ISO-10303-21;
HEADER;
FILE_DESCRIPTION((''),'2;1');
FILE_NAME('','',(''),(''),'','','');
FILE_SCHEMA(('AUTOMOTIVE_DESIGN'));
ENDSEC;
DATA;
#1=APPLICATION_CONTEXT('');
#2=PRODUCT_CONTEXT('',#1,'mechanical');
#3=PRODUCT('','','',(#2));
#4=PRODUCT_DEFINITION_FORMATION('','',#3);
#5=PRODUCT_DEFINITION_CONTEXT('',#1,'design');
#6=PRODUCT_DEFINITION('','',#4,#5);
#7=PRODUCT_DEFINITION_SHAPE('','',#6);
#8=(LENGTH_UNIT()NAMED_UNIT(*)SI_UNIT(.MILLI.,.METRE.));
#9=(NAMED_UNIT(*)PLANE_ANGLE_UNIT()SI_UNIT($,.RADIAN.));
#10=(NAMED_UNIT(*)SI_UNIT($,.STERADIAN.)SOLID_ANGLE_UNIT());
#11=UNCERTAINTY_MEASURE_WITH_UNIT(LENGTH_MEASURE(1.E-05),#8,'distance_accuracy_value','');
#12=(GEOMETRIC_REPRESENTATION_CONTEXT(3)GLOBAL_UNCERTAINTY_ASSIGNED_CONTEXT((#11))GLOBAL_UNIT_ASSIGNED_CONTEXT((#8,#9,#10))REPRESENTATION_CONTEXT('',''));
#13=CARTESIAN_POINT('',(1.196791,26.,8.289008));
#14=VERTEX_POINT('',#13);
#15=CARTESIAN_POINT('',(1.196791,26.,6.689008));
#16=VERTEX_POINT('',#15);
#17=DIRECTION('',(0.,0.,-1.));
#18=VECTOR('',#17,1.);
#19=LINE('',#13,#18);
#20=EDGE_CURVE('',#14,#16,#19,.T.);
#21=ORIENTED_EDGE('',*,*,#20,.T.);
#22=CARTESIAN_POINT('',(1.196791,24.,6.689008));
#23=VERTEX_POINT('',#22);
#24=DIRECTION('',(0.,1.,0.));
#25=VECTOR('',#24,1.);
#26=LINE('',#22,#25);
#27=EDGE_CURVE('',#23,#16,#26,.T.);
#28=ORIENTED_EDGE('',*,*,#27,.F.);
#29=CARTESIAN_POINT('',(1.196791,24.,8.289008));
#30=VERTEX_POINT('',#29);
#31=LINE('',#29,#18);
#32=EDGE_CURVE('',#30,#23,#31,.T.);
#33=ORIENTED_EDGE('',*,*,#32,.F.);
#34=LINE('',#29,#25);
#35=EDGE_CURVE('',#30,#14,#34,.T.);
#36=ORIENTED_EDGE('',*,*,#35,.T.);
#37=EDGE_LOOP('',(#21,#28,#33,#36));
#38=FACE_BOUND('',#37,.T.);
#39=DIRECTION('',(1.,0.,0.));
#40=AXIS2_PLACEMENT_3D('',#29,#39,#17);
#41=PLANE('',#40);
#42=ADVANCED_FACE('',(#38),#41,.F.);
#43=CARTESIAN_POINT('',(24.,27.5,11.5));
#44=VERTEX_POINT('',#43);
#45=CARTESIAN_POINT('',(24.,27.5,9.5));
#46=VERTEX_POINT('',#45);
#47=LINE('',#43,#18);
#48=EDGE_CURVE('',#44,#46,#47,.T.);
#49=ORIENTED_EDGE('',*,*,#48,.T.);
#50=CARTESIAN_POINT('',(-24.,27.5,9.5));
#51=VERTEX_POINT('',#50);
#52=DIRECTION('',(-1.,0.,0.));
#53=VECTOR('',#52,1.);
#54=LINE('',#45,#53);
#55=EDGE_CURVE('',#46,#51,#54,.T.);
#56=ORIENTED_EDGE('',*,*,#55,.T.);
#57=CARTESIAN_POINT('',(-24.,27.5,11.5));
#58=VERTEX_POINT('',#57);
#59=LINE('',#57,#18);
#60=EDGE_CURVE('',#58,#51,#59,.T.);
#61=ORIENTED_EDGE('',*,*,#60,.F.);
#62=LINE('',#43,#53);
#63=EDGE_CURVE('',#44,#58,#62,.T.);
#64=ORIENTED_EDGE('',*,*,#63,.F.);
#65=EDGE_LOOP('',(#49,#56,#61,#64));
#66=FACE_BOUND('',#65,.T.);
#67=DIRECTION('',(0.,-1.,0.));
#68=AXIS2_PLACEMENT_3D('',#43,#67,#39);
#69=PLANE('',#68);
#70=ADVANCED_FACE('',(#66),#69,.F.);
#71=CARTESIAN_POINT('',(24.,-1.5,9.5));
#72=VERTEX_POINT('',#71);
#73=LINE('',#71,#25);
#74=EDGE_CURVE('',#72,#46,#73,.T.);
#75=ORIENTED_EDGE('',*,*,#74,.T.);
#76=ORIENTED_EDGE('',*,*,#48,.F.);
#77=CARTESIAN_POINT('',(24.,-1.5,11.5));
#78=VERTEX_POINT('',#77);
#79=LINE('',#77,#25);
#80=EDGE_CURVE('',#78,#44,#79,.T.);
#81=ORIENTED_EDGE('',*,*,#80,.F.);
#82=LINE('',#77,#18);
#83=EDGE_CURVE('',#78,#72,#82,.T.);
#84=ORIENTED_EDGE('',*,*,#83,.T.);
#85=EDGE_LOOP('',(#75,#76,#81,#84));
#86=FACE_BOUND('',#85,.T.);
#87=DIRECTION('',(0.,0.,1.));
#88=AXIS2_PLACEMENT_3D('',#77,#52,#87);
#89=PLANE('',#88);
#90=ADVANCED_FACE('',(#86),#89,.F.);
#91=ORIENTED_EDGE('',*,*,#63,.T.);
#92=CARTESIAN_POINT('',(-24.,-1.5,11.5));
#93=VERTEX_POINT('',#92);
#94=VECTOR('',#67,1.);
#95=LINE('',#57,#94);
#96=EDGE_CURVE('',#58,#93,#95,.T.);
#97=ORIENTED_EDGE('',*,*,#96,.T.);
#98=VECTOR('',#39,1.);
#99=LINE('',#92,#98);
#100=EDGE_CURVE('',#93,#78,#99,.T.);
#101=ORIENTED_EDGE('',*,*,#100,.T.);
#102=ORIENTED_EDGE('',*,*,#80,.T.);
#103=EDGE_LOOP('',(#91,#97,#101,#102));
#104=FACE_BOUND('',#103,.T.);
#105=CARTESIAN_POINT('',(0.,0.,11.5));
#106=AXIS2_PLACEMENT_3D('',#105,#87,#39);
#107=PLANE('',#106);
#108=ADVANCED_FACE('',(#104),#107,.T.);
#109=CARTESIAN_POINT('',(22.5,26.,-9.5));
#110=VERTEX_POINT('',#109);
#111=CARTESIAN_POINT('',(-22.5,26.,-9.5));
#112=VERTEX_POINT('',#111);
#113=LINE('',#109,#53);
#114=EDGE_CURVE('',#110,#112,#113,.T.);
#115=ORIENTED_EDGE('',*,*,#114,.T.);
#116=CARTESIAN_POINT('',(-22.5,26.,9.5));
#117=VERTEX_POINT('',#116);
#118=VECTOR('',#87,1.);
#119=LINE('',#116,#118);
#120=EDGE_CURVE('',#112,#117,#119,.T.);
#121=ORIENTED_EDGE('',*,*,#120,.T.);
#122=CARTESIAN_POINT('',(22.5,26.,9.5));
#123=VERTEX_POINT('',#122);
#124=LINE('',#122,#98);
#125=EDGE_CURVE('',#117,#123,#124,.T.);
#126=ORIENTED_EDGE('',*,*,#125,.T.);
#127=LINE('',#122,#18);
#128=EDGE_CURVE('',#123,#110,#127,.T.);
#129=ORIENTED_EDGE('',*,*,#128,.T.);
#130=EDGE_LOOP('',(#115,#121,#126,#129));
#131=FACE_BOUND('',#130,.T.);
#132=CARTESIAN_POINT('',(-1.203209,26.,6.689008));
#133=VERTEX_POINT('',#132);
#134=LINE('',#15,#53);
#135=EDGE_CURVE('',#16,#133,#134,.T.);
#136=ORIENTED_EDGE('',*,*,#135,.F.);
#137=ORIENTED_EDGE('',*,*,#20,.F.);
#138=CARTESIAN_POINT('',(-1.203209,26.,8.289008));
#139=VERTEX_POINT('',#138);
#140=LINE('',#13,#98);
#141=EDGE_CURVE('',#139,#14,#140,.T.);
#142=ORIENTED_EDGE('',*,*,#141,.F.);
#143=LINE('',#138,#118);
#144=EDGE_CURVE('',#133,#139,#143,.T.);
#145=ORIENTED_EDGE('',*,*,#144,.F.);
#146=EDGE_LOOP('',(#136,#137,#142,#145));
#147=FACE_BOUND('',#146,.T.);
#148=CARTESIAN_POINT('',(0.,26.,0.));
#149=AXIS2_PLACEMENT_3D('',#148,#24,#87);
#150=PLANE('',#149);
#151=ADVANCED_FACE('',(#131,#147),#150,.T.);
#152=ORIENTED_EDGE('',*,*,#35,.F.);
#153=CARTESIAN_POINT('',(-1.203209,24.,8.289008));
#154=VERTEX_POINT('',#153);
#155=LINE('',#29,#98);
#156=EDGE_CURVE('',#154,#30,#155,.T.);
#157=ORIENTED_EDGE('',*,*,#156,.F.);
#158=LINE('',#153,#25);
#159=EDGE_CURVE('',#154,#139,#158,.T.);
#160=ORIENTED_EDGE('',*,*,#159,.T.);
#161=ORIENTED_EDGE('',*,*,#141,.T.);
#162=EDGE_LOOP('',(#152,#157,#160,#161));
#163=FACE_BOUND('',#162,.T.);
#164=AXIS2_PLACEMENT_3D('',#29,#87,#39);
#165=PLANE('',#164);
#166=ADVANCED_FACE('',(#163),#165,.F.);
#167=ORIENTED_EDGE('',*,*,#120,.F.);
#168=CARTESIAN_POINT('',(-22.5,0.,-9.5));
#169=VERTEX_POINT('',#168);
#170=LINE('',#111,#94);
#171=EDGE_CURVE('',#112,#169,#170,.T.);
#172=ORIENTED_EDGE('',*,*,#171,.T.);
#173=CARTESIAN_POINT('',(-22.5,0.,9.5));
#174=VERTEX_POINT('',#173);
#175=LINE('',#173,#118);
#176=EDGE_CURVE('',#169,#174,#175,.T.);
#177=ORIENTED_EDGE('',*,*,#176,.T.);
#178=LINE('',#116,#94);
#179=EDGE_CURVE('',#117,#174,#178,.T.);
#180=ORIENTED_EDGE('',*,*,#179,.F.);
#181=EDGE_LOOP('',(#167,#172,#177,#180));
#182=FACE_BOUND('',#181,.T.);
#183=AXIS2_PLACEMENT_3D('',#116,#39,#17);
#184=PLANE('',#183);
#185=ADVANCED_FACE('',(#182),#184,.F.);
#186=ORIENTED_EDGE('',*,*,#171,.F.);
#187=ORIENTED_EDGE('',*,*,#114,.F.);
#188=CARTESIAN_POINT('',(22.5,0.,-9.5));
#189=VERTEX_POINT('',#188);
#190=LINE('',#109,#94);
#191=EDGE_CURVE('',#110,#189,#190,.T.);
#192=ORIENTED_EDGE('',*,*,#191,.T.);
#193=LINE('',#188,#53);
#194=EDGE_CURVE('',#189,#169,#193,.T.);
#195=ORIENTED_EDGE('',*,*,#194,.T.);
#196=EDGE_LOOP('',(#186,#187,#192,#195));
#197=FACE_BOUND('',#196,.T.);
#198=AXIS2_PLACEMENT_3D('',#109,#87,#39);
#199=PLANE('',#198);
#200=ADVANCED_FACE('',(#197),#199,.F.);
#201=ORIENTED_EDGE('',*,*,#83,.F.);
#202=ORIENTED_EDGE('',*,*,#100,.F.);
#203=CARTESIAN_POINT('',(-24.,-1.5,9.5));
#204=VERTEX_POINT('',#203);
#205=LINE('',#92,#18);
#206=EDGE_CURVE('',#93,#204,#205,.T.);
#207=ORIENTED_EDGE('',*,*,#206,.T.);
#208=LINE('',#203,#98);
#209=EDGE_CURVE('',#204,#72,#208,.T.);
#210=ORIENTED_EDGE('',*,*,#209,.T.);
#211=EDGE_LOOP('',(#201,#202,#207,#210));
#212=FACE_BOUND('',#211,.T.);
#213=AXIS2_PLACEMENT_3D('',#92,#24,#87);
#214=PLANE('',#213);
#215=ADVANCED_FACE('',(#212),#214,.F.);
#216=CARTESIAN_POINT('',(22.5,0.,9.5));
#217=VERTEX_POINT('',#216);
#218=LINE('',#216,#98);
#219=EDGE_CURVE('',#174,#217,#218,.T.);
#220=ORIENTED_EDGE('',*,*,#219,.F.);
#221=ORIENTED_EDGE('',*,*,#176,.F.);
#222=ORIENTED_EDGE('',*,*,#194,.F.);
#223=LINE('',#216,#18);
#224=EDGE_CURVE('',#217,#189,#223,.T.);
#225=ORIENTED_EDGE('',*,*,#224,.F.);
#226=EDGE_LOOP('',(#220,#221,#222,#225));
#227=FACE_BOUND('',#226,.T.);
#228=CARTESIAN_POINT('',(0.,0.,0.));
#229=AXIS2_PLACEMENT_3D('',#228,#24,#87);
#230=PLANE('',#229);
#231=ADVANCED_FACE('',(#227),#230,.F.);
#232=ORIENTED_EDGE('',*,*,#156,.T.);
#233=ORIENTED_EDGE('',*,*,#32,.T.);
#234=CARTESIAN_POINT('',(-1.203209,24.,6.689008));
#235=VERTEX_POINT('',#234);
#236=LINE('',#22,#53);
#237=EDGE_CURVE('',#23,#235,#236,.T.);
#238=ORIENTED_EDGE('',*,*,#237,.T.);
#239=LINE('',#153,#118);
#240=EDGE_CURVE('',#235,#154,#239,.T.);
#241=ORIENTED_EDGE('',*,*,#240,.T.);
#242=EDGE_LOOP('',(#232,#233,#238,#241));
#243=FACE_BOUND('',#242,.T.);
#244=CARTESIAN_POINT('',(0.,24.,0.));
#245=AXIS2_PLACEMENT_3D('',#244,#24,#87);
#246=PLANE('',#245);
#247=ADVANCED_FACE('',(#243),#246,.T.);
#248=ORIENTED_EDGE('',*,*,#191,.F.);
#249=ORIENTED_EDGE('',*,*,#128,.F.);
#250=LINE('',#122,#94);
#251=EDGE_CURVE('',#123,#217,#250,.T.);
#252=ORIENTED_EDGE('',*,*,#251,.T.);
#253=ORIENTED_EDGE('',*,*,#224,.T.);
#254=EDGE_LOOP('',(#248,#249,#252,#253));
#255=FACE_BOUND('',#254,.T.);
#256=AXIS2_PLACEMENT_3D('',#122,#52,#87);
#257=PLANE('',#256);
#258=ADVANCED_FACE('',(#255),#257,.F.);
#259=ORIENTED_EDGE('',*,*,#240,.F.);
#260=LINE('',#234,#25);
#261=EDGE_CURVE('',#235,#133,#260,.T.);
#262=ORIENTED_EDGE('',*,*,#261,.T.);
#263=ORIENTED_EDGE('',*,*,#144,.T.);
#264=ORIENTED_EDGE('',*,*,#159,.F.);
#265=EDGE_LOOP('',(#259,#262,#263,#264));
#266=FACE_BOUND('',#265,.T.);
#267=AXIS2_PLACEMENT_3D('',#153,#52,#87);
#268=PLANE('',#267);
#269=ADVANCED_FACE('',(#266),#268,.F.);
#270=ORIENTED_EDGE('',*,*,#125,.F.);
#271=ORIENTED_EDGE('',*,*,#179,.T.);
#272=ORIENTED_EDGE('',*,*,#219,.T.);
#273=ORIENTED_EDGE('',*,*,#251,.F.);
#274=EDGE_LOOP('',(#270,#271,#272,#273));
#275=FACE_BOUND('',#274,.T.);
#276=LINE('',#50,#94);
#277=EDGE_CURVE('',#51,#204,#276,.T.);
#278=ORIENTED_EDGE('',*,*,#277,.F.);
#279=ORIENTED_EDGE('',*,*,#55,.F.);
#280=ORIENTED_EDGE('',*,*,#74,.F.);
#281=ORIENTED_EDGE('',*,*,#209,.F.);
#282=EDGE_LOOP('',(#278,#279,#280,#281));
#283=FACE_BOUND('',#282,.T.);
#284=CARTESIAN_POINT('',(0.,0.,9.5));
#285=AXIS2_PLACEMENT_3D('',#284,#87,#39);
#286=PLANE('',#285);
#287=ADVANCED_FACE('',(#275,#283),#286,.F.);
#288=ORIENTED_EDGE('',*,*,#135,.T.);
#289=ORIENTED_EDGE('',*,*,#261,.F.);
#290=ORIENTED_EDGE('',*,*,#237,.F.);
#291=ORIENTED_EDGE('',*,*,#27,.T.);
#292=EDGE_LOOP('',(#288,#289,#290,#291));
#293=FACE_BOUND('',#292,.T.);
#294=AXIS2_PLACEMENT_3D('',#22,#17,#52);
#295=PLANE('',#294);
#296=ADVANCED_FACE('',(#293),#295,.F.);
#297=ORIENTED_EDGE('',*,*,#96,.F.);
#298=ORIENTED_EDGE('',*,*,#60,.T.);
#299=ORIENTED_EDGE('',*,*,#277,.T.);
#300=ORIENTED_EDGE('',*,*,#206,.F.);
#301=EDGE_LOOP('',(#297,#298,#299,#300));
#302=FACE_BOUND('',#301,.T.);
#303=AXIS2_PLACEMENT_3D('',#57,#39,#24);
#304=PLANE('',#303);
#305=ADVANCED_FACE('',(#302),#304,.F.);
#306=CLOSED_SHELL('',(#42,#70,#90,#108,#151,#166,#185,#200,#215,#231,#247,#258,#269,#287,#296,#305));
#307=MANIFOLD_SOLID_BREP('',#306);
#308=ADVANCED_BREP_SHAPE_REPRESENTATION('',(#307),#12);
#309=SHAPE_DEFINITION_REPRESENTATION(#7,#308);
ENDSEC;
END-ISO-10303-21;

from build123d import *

# Parameters (mm, degrees)
SKETCH1_W           = 45
SKETCH1_H           = 19
BOSS_EXTRUDE1_DEPTH = 26
SKETCH2_W           = 48
SKETCH2_H           = 29
BOSS_EXTRUDE2_DEPTH = 2
SKETCH3_W           = 2.4
SKETCH3_H           = 1.6
CUT_EXTRUDE1_DEPTH  = 2


with BuildPart() as part:
    # Sketch1 → Boss-Extrude1 (new body)
    with BuildSketch(Plane(origin=(0, 0, 0), x_dir=(1, 0, 0), z_dir=(0, 1, 0))):
        Rectangle(SKETCH1_W, SKETCH1_H)
    extrude(amount=BOSS_EXTRUDE1_DEPTH)

    # Sketch2 → Boss-Extrude2 (add)
    with BuildSketch(Plane.XY.offset(9.5)):
        with Locations((0, 13)):
            Rectangle(SKETCH2_W, SKETCH2_H)
    extrude(amount=BOSS_EXTRUDE2_DEPTH)

    # Sketch3 → Cut-Extrude1 (cut)
    with BuildSketch(Plane(origin=(0, 26, 0), x_dir=(1, 0, 0), z_dir=(0, 1, 0))):
        with Locations((-0.003209451, -7.489007977)):
            Rectangle(SKETCH3_W, SKETCH3_H)
    extrude(amount=-CUT_EXTRUDE1_DEPTH, mode=Mode.SUBTRACT)


solid = part.part
